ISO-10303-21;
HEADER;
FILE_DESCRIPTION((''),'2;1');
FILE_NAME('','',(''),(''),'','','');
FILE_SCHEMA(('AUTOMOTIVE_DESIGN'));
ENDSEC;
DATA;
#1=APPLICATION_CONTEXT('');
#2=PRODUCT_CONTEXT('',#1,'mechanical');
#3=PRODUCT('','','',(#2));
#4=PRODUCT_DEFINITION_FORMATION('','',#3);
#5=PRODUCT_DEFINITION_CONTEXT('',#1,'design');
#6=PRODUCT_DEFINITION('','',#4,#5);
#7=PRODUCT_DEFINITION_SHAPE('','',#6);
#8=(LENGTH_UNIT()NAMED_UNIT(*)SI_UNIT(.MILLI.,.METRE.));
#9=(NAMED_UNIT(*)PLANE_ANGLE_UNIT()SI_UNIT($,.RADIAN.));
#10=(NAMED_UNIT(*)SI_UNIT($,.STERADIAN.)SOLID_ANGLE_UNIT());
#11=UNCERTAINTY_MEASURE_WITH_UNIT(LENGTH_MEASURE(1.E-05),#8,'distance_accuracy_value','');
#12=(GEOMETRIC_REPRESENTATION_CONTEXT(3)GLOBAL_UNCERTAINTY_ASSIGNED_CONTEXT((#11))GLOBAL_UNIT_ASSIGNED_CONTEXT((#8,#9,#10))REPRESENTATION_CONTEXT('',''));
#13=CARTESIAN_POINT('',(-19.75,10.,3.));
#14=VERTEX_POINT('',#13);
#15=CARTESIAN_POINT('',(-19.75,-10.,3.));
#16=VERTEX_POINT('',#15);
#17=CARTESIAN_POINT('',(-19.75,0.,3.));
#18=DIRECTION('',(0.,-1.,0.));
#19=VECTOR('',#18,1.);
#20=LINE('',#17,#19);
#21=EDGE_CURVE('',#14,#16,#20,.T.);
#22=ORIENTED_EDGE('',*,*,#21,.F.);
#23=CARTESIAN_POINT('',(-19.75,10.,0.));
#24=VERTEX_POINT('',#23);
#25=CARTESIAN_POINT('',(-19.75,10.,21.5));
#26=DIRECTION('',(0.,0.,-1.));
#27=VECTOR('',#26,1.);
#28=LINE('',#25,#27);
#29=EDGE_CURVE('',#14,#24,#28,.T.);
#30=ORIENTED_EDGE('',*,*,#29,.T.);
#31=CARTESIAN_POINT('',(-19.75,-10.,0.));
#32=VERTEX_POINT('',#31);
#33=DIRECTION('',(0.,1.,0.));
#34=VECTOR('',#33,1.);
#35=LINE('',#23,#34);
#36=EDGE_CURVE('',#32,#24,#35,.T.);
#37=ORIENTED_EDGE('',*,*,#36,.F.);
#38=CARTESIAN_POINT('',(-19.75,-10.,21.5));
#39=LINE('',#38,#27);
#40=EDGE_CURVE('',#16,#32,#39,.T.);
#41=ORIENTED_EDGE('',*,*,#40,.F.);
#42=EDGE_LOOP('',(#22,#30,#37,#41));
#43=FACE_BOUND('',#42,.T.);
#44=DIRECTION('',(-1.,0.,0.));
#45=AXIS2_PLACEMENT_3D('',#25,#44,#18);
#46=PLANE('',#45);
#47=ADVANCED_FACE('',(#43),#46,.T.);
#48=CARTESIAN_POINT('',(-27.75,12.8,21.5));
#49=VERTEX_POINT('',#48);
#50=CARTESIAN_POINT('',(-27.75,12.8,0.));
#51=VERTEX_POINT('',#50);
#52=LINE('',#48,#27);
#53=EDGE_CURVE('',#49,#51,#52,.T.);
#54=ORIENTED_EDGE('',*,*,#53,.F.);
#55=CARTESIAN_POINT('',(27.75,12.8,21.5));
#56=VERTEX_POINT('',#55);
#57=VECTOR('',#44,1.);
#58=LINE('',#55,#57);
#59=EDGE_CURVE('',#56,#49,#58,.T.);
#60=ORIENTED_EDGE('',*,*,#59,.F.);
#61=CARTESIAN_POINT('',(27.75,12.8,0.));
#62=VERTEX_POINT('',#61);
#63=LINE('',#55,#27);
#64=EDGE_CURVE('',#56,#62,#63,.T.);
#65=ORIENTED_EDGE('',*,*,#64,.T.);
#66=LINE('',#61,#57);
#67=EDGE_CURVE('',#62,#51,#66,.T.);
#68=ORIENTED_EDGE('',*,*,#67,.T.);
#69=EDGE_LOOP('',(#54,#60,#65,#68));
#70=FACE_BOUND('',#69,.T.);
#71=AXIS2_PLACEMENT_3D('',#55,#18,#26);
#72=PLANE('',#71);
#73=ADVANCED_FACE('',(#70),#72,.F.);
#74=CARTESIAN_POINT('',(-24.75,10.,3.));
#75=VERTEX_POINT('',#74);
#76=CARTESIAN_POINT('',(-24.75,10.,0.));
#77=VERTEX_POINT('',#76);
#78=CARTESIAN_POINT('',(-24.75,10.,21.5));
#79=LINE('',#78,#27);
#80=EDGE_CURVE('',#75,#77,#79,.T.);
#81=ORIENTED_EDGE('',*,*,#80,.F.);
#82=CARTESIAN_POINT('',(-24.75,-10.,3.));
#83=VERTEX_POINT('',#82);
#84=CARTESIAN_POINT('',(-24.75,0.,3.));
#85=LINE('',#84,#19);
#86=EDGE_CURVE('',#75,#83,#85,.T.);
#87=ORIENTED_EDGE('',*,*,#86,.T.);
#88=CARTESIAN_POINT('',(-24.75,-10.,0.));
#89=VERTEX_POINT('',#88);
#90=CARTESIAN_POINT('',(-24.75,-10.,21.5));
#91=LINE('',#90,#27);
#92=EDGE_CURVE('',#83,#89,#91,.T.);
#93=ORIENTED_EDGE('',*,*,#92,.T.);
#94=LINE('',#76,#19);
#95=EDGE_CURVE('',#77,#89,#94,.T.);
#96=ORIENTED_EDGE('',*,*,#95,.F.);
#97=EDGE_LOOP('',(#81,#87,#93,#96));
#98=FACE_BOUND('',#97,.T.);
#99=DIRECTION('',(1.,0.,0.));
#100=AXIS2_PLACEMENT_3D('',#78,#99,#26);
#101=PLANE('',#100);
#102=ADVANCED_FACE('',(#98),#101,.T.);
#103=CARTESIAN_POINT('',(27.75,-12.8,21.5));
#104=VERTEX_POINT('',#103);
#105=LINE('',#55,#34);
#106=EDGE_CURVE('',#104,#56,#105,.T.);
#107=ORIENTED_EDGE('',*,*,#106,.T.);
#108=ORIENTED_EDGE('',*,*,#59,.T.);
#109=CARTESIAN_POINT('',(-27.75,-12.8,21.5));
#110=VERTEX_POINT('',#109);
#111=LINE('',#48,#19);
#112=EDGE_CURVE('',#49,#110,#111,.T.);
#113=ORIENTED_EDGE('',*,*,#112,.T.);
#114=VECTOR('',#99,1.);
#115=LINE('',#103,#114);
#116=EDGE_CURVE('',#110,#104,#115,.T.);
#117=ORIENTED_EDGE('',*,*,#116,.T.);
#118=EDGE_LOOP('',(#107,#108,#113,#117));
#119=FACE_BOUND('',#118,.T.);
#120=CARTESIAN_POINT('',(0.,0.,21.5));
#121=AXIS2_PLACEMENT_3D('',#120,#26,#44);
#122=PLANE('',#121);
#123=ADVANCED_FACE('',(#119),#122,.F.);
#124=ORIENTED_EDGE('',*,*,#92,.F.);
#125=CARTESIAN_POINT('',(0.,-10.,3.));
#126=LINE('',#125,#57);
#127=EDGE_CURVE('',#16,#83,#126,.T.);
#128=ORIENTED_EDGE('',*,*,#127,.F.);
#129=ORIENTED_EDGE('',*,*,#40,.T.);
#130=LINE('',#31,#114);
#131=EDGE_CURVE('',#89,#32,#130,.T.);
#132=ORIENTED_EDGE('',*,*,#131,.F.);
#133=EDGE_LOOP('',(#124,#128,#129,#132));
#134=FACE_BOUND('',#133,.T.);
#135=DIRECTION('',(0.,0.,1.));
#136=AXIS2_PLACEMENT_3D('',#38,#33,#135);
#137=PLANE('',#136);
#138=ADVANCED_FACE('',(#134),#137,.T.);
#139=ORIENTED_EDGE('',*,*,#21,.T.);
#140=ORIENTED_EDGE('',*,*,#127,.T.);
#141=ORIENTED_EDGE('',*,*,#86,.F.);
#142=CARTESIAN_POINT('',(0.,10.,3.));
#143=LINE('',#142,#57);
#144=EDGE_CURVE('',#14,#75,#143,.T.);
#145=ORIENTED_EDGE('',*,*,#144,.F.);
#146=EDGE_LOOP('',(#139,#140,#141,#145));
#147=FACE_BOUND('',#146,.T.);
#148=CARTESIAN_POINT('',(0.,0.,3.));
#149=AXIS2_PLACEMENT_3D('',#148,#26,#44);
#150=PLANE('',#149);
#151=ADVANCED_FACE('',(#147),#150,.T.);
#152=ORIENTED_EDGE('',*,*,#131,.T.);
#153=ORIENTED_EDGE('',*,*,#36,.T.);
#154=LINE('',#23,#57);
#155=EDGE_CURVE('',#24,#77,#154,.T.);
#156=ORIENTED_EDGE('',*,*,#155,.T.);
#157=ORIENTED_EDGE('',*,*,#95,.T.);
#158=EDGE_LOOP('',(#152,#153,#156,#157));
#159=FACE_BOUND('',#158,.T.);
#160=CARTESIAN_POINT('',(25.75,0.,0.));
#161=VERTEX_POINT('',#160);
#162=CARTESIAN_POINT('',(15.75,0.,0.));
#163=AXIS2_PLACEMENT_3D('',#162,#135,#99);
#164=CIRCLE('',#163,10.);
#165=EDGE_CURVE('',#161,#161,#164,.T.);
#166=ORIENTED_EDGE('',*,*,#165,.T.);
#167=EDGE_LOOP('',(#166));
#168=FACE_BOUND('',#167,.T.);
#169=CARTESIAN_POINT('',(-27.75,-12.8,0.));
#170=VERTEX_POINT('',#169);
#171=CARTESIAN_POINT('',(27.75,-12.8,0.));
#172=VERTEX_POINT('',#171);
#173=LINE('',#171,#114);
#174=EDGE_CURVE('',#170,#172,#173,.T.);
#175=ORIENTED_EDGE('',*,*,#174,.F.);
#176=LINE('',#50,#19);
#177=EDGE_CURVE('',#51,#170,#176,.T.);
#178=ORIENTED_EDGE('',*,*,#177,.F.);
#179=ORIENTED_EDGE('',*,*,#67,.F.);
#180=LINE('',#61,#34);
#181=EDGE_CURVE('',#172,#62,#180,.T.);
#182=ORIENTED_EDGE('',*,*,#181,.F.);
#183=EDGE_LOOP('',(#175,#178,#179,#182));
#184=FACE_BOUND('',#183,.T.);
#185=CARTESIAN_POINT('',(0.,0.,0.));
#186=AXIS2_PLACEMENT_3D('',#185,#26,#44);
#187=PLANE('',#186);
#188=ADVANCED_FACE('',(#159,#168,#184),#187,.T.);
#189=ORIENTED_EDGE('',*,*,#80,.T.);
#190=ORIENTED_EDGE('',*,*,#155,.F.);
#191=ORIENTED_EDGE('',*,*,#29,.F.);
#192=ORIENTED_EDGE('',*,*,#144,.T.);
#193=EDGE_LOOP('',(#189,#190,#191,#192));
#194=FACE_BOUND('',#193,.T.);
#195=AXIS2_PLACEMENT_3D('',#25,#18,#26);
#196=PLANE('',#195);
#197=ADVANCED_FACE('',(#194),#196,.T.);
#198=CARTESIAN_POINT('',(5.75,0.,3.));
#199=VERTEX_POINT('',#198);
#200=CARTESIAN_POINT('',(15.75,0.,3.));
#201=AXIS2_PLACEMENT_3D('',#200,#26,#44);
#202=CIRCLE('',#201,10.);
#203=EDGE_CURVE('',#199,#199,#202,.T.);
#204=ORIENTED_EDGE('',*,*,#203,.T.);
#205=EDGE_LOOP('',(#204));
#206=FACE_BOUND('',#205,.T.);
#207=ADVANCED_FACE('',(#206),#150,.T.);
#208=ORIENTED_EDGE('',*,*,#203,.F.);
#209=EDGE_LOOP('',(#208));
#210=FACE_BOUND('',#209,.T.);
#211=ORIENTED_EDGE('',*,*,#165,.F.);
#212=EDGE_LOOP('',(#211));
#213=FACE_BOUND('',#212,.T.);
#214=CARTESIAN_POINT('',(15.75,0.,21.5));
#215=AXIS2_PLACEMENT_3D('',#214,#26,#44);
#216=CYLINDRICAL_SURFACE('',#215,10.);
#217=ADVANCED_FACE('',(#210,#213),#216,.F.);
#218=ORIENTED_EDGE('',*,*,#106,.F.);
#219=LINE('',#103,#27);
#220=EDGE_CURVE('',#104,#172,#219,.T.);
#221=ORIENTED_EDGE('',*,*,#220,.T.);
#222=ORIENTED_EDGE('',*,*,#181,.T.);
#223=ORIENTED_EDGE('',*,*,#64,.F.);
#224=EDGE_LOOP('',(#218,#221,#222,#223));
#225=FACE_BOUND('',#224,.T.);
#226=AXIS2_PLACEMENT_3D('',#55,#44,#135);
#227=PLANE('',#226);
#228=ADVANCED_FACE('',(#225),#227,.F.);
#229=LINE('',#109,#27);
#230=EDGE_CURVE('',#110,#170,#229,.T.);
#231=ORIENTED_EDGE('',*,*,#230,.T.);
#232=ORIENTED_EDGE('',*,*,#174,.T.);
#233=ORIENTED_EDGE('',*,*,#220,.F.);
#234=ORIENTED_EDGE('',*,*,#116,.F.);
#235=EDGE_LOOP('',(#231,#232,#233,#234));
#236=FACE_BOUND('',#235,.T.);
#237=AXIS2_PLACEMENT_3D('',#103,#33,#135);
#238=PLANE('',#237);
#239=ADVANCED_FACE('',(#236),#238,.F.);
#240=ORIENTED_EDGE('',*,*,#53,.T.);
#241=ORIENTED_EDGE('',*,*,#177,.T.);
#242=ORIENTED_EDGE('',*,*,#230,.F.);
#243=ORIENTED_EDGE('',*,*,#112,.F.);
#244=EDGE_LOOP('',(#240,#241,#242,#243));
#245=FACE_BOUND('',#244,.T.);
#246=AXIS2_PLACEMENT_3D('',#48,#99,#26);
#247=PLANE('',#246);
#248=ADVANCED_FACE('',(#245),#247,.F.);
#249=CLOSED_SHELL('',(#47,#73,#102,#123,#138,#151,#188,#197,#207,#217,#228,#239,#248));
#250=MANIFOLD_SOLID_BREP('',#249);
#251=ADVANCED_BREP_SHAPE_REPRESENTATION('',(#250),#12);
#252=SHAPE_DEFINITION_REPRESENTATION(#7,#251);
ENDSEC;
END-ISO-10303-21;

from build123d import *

# Parameters (mm, degrees)
SKETCH1_W           = 55.5
SKETCH1_H           = 25.6
SKETCH1_R           = 10
SKETCH1_W_2         = 5
SKETCH1_H_2         = 20
BOSS_EXTRUDE1_DEPTH = 21.5
BOSS_EXTRUDE2_START = 3
SKETCH1_2_W         = 5
SKETCH1_2_H         = 20
SKETCH1_2_R         = 10
BOSS_EXTRUDE2_DEPTH = 18.5


with BuildPart() as part:
    # Sketch1 → Boss-Extrude1 (new body)
    with BuildSketch(Plane.XY):
        Rectangle(SKETCH1_W, SKETCH1_H)
        with Locations((15.75, 0)):
            Circle(SKETCH1_R, mode=Mode.SUBTRACT)
        with Locations((-22.25, 0)):
            Rectangle(SKETCH1_W_2, SKETCH1_H_2, mode=Mode.SUBTRACT)
    extrude(amount=BOSS_EXTRUDE1_DEPTH)

    # Sketch1<2> → Boss-Extrude2 (add)
    with BuildSketch(Plane.XY.offset(BOSS_EXTRUDE2_START)):
        with Locations((-22.25, 0)):
            Rectangle(SKETCH1_2_W, SKETCH1_2_H)
        with Locations(Location((15.75, 0, 0), (0, 0, 180))):
            Circle(SKETCH1_2_R)
    extrude(amount=BOSS_EXTRUDE2_DEPTH)


solid = part.part
